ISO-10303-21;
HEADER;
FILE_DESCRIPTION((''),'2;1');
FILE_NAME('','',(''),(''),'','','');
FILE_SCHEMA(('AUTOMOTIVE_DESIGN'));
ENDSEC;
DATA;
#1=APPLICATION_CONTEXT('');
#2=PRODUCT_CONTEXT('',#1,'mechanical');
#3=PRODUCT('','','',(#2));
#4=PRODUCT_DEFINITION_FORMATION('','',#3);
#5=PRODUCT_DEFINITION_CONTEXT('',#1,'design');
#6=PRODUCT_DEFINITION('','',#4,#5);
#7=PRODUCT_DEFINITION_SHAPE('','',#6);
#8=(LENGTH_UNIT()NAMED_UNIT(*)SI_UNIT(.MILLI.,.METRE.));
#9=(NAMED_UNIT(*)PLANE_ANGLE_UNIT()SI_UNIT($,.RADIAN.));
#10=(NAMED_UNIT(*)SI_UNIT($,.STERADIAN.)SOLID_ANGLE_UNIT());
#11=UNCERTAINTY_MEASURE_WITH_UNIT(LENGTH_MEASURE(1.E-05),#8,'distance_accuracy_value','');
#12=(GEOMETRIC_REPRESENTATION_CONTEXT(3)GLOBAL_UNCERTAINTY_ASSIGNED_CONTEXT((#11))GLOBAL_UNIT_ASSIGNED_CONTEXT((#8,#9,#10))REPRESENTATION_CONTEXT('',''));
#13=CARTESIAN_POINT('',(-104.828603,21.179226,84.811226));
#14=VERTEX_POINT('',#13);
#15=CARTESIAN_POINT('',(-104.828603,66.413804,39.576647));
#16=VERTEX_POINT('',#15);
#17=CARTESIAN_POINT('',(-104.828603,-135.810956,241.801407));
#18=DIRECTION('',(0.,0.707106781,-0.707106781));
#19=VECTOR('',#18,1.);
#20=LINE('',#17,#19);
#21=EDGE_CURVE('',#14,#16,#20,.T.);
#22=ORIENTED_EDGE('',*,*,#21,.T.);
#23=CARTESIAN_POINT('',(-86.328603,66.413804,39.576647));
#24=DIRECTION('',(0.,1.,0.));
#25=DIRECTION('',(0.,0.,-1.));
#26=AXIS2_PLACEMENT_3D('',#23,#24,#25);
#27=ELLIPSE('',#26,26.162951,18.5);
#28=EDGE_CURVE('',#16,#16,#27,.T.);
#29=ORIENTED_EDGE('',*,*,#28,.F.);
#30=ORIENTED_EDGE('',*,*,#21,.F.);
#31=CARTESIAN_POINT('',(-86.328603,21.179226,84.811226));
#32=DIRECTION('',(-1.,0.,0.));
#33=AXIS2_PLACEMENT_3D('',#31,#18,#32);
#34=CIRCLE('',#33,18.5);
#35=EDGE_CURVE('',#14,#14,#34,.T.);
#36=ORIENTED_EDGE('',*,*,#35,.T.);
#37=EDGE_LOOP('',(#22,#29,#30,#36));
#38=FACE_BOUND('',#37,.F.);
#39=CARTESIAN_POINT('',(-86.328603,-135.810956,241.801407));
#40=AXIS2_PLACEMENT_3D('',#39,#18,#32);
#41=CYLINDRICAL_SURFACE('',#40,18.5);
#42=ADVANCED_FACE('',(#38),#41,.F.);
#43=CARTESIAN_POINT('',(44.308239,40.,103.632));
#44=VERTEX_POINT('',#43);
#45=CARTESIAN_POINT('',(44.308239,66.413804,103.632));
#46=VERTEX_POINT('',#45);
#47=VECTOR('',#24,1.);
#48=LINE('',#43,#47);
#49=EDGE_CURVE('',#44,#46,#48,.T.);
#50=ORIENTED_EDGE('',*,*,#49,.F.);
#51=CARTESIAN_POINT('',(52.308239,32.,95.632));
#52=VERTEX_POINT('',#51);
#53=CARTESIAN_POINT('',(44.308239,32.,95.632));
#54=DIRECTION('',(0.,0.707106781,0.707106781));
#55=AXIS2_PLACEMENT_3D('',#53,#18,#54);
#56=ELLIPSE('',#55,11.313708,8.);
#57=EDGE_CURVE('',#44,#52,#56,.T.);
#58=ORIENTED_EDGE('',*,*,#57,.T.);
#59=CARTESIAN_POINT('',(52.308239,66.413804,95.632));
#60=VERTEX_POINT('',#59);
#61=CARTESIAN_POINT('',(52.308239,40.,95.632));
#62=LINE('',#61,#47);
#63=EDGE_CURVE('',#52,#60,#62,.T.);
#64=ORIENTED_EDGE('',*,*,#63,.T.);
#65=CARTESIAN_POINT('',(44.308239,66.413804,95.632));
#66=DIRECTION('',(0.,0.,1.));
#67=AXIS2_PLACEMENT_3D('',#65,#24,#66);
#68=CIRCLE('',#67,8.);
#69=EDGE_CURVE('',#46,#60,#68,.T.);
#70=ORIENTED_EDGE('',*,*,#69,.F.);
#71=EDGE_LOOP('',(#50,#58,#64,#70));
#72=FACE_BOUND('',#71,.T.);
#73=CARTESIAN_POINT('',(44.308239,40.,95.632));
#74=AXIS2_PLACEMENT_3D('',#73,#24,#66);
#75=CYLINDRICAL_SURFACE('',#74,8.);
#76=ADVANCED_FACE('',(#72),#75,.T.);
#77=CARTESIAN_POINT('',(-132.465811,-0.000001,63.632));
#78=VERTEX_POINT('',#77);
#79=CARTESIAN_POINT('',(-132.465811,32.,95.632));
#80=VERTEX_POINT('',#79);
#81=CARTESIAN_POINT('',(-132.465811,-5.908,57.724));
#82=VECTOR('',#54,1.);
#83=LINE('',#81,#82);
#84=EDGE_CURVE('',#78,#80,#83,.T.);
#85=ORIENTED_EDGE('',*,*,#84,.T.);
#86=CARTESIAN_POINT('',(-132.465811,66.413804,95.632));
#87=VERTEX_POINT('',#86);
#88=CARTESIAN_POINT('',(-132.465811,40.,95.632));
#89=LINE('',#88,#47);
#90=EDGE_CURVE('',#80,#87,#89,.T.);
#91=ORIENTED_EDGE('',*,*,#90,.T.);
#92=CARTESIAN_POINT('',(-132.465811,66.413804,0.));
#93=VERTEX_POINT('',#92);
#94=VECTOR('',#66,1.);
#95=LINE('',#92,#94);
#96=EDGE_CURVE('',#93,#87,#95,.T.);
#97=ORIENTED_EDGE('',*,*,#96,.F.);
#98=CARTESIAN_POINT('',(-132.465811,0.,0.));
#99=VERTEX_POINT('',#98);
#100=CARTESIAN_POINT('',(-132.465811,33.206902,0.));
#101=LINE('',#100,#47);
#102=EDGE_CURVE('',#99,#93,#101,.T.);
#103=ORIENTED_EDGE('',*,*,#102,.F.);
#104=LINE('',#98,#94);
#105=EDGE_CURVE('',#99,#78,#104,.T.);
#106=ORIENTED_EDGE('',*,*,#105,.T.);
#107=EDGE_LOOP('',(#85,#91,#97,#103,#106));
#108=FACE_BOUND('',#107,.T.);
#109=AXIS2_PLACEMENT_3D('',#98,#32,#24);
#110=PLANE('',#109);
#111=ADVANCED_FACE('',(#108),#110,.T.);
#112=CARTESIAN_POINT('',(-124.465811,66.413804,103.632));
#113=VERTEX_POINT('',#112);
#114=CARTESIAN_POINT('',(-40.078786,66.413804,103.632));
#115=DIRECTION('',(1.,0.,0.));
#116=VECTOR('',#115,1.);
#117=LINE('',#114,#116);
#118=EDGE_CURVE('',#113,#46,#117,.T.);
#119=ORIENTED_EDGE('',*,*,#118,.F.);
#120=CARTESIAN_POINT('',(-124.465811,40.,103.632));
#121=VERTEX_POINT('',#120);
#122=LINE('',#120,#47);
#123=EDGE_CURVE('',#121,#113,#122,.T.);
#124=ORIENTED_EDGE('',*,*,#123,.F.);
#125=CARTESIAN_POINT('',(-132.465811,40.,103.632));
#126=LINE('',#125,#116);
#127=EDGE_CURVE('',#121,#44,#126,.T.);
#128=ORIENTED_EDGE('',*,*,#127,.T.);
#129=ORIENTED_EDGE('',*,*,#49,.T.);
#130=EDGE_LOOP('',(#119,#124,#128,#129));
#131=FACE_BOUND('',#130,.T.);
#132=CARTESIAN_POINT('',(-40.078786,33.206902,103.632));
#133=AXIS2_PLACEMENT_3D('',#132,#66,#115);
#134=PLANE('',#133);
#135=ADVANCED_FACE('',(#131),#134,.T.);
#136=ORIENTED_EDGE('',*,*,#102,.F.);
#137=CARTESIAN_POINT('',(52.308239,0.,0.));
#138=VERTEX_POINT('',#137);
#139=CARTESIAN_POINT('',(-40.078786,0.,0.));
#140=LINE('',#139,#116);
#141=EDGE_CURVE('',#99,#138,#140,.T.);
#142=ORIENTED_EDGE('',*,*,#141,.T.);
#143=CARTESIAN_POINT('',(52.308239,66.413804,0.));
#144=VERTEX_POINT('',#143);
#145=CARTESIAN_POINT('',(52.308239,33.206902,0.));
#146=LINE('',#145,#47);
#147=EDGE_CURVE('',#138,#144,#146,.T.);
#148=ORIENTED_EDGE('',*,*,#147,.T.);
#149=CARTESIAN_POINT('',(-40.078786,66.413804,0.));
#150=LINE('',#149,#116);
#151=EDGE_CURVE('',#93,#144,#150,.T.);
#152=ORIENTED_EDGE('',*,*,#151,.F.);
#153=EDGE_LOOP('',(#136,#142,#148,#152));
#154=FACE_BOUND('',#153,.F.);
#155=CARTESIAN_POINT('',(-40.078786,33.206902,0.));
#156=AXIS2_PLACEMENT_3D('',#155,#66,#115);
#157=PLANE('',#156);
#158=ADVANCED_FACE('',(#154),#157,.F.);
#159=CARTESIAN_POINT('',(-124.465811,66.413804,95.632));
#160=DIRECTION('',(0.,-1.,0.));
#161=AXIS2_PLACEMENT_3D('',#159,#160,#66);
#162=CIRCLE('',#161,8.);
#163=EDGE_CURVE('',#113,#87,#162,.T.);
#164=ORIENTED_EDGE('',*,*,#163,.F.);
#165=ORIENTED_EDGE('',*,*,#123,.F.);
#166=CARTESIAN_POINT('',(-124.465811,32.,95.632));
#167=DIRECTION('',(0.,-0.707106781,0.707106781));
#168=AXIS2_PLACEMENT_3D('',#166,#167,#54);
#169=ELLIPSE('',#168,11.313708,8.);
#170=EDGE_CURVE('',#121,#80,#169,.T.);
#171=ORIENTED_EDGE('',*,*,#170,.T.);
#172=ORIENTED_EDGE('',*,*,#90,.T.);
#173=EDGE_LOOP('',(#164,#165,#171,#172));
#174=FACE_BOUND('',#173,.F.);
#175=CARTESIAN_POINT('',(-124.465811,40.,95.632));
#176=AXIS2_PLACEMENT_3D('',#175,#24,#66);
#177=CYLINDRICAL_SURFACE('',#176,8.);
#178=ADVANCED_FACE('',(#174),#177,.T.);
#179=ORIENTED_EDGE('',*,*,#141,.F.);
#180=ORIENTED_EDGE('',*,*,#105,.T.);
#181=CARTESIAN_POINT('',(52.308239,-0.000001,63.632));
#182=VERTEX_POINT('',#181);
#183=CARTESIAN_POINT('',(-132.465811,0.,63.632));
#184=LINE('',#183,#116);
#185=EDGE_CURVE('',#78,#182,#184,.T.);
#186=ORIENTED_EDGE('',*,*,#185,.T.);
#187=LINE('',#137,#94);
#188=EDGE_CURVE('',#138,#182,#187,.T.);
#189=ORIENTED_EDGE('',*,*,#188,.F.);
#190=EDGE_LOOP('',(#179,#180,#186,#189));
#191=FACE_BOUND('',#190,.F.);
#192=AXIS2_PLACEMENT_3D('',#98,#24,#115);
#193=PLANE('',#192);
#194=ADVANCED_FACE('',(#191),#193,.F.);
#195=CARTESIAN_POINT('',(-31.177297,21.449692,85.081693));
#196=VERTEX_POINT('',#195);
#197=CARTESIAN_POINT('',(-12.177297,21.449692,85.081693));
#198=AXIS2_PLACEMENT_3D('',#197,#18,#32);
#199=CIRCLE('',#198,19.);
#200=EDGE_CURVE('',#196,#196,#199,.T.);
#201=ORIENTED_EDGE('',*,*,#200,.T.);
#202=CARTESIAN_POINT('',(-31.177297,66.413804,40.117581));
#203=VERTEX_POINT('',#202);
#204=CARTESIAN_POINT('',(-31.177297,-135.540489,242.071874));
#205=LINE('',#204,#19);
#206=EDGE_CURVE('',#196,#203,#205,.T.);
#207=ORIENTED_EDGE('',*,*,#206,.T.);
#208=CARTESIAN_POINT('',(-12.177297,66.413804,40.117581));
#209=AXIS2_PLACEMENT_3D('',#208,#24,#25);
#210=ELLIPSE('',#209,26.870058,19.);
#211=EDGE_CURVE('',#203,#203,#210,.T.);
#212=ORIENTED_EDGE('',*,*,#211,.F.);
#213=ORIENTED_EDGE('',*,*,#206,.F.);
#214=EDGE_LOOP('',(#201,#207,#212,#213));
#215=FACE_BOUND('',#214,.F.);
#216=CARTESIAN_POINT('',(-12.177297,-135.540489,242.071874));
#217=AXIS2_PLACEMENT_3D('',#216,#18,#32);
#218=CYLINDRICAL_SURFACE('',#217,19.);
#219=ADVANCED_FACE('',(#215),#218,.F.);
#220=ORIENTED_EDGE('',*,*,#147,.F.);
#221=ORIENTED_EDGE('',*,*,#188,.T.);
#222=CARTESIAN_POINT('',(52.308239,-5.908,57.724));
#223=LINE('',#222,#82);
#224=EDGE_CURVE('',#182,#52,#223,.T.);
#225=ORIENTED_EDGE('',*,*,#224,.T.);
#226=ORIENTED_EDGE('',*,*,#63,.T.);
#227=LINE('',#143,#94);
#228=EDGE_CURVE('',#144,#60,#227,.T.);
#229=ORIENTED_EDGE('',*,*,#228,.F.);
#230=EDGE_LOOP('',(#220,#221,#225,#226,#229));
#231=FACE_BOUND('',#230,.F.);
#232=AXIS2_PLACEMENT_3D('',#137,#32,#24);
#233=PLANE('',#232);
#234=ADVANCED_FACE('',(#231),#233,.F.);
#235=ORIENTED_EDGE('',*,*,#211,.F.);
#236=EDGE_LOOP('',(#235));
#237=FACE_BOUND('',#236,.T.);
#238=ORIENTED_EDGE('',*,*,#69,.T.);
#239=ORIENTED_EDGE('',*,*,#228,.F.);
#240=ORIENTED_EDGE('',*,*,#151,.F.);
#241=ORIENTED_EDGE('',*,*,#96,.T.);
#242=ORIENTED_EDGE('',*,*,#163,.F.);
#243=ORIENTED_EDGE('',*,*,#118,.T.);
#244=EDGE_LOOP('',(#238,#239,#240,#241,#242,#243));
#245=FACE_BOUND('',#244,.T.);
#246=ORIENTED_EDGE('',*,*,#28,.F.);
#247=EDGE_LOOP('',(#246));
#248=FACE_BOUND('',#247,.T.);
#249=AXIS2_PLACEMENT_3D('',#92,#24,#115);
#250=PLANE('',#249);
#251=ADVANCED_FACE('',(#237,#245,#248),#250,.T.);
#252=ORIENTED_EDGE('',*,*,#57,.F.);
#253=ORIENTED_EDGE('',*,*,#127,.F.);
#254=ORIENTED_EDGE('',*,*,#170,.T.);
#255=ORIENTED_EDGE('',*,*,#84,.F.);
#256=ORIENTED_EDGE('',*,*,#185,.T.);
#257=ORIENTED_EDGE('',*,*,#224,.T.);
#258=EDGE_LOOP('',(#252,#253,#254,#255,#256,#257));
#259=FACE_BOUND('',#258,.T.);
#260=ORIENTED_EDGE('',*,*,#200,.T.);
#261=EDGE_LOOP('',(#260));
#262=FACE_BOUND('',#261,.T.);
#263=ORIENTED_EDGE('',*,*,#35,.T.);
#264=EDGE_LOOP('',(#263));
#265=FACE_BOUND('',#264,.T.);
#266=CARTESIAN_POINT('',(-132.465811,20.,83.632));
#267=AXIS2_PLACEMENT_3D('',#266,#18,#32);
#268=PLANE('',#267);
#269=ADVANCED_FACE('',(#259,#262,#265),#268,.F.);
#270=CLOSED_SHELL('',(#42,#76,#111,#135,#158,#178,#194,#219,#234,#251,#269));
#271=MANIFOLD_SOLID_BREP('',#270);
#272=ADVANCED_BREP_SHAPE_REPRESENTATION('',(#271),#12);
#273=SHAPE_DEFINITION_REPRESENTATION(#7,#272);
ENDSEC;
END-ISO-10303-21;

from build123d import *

# Parameters (mm, degrees)
F0_W     = 184.774049
F0_H     = 66.413805
F1_DEPTH = 103.632
F2_SIZE  = 40
F5_D     = 37
F6_D     = 38
F7_R     = 8
F8_R     = 8


with BuildPart() as f1:
    # F0 (on Top) → F1 (new body)
    with BuildSketch(Plane.XY):
        with Locations((-40.078786, 33.206902)):
            Rectangle(F0_W, F0_H)
    extrude(amount=F1_DEPTH)

    # F2
    f2_edges = [f1.edges().sort_by_distance(p)[0] for p in [
        (-40.078785, 0, 103.632),
    ]]
    chamfer(f2_edges, length=F2_SIZE)

    # F5 (through all)
    with Locations(Plane(origin=(0, -31.816, 31.816), x_dir=(1, 0, 0), z_dir=(0, -0.707107, 0.707107))):
        with Locations((-86.328603, 74.946567)):
            Hole(F5_D / 2)

    # F6 (through all)
    with Locations(Plane(origin=(0, -31.816, 31.816), x_dir=(1, 0, 0), z_dir=(0, -0.707107, 0.707107))):
        with Locations((-12.177297, 75.329065)):
            Hole(F6_D / 2)

    # F7
    f7_edges = [f1.edges().sort_by_distance(p)[0] for p in [
        (52.308239, 53.206902, 103.632),
    ]]
    fillet(f7_edges, radius=F7_R)

    # F8
    f8_edges = [f1.edges().sort_by_distance(p)[0] for p in [
        (-132.46581, 53.206902, 103.632),
    ]]
    fillet(f8_edges, radius=F8_R)


solid = f1.part
